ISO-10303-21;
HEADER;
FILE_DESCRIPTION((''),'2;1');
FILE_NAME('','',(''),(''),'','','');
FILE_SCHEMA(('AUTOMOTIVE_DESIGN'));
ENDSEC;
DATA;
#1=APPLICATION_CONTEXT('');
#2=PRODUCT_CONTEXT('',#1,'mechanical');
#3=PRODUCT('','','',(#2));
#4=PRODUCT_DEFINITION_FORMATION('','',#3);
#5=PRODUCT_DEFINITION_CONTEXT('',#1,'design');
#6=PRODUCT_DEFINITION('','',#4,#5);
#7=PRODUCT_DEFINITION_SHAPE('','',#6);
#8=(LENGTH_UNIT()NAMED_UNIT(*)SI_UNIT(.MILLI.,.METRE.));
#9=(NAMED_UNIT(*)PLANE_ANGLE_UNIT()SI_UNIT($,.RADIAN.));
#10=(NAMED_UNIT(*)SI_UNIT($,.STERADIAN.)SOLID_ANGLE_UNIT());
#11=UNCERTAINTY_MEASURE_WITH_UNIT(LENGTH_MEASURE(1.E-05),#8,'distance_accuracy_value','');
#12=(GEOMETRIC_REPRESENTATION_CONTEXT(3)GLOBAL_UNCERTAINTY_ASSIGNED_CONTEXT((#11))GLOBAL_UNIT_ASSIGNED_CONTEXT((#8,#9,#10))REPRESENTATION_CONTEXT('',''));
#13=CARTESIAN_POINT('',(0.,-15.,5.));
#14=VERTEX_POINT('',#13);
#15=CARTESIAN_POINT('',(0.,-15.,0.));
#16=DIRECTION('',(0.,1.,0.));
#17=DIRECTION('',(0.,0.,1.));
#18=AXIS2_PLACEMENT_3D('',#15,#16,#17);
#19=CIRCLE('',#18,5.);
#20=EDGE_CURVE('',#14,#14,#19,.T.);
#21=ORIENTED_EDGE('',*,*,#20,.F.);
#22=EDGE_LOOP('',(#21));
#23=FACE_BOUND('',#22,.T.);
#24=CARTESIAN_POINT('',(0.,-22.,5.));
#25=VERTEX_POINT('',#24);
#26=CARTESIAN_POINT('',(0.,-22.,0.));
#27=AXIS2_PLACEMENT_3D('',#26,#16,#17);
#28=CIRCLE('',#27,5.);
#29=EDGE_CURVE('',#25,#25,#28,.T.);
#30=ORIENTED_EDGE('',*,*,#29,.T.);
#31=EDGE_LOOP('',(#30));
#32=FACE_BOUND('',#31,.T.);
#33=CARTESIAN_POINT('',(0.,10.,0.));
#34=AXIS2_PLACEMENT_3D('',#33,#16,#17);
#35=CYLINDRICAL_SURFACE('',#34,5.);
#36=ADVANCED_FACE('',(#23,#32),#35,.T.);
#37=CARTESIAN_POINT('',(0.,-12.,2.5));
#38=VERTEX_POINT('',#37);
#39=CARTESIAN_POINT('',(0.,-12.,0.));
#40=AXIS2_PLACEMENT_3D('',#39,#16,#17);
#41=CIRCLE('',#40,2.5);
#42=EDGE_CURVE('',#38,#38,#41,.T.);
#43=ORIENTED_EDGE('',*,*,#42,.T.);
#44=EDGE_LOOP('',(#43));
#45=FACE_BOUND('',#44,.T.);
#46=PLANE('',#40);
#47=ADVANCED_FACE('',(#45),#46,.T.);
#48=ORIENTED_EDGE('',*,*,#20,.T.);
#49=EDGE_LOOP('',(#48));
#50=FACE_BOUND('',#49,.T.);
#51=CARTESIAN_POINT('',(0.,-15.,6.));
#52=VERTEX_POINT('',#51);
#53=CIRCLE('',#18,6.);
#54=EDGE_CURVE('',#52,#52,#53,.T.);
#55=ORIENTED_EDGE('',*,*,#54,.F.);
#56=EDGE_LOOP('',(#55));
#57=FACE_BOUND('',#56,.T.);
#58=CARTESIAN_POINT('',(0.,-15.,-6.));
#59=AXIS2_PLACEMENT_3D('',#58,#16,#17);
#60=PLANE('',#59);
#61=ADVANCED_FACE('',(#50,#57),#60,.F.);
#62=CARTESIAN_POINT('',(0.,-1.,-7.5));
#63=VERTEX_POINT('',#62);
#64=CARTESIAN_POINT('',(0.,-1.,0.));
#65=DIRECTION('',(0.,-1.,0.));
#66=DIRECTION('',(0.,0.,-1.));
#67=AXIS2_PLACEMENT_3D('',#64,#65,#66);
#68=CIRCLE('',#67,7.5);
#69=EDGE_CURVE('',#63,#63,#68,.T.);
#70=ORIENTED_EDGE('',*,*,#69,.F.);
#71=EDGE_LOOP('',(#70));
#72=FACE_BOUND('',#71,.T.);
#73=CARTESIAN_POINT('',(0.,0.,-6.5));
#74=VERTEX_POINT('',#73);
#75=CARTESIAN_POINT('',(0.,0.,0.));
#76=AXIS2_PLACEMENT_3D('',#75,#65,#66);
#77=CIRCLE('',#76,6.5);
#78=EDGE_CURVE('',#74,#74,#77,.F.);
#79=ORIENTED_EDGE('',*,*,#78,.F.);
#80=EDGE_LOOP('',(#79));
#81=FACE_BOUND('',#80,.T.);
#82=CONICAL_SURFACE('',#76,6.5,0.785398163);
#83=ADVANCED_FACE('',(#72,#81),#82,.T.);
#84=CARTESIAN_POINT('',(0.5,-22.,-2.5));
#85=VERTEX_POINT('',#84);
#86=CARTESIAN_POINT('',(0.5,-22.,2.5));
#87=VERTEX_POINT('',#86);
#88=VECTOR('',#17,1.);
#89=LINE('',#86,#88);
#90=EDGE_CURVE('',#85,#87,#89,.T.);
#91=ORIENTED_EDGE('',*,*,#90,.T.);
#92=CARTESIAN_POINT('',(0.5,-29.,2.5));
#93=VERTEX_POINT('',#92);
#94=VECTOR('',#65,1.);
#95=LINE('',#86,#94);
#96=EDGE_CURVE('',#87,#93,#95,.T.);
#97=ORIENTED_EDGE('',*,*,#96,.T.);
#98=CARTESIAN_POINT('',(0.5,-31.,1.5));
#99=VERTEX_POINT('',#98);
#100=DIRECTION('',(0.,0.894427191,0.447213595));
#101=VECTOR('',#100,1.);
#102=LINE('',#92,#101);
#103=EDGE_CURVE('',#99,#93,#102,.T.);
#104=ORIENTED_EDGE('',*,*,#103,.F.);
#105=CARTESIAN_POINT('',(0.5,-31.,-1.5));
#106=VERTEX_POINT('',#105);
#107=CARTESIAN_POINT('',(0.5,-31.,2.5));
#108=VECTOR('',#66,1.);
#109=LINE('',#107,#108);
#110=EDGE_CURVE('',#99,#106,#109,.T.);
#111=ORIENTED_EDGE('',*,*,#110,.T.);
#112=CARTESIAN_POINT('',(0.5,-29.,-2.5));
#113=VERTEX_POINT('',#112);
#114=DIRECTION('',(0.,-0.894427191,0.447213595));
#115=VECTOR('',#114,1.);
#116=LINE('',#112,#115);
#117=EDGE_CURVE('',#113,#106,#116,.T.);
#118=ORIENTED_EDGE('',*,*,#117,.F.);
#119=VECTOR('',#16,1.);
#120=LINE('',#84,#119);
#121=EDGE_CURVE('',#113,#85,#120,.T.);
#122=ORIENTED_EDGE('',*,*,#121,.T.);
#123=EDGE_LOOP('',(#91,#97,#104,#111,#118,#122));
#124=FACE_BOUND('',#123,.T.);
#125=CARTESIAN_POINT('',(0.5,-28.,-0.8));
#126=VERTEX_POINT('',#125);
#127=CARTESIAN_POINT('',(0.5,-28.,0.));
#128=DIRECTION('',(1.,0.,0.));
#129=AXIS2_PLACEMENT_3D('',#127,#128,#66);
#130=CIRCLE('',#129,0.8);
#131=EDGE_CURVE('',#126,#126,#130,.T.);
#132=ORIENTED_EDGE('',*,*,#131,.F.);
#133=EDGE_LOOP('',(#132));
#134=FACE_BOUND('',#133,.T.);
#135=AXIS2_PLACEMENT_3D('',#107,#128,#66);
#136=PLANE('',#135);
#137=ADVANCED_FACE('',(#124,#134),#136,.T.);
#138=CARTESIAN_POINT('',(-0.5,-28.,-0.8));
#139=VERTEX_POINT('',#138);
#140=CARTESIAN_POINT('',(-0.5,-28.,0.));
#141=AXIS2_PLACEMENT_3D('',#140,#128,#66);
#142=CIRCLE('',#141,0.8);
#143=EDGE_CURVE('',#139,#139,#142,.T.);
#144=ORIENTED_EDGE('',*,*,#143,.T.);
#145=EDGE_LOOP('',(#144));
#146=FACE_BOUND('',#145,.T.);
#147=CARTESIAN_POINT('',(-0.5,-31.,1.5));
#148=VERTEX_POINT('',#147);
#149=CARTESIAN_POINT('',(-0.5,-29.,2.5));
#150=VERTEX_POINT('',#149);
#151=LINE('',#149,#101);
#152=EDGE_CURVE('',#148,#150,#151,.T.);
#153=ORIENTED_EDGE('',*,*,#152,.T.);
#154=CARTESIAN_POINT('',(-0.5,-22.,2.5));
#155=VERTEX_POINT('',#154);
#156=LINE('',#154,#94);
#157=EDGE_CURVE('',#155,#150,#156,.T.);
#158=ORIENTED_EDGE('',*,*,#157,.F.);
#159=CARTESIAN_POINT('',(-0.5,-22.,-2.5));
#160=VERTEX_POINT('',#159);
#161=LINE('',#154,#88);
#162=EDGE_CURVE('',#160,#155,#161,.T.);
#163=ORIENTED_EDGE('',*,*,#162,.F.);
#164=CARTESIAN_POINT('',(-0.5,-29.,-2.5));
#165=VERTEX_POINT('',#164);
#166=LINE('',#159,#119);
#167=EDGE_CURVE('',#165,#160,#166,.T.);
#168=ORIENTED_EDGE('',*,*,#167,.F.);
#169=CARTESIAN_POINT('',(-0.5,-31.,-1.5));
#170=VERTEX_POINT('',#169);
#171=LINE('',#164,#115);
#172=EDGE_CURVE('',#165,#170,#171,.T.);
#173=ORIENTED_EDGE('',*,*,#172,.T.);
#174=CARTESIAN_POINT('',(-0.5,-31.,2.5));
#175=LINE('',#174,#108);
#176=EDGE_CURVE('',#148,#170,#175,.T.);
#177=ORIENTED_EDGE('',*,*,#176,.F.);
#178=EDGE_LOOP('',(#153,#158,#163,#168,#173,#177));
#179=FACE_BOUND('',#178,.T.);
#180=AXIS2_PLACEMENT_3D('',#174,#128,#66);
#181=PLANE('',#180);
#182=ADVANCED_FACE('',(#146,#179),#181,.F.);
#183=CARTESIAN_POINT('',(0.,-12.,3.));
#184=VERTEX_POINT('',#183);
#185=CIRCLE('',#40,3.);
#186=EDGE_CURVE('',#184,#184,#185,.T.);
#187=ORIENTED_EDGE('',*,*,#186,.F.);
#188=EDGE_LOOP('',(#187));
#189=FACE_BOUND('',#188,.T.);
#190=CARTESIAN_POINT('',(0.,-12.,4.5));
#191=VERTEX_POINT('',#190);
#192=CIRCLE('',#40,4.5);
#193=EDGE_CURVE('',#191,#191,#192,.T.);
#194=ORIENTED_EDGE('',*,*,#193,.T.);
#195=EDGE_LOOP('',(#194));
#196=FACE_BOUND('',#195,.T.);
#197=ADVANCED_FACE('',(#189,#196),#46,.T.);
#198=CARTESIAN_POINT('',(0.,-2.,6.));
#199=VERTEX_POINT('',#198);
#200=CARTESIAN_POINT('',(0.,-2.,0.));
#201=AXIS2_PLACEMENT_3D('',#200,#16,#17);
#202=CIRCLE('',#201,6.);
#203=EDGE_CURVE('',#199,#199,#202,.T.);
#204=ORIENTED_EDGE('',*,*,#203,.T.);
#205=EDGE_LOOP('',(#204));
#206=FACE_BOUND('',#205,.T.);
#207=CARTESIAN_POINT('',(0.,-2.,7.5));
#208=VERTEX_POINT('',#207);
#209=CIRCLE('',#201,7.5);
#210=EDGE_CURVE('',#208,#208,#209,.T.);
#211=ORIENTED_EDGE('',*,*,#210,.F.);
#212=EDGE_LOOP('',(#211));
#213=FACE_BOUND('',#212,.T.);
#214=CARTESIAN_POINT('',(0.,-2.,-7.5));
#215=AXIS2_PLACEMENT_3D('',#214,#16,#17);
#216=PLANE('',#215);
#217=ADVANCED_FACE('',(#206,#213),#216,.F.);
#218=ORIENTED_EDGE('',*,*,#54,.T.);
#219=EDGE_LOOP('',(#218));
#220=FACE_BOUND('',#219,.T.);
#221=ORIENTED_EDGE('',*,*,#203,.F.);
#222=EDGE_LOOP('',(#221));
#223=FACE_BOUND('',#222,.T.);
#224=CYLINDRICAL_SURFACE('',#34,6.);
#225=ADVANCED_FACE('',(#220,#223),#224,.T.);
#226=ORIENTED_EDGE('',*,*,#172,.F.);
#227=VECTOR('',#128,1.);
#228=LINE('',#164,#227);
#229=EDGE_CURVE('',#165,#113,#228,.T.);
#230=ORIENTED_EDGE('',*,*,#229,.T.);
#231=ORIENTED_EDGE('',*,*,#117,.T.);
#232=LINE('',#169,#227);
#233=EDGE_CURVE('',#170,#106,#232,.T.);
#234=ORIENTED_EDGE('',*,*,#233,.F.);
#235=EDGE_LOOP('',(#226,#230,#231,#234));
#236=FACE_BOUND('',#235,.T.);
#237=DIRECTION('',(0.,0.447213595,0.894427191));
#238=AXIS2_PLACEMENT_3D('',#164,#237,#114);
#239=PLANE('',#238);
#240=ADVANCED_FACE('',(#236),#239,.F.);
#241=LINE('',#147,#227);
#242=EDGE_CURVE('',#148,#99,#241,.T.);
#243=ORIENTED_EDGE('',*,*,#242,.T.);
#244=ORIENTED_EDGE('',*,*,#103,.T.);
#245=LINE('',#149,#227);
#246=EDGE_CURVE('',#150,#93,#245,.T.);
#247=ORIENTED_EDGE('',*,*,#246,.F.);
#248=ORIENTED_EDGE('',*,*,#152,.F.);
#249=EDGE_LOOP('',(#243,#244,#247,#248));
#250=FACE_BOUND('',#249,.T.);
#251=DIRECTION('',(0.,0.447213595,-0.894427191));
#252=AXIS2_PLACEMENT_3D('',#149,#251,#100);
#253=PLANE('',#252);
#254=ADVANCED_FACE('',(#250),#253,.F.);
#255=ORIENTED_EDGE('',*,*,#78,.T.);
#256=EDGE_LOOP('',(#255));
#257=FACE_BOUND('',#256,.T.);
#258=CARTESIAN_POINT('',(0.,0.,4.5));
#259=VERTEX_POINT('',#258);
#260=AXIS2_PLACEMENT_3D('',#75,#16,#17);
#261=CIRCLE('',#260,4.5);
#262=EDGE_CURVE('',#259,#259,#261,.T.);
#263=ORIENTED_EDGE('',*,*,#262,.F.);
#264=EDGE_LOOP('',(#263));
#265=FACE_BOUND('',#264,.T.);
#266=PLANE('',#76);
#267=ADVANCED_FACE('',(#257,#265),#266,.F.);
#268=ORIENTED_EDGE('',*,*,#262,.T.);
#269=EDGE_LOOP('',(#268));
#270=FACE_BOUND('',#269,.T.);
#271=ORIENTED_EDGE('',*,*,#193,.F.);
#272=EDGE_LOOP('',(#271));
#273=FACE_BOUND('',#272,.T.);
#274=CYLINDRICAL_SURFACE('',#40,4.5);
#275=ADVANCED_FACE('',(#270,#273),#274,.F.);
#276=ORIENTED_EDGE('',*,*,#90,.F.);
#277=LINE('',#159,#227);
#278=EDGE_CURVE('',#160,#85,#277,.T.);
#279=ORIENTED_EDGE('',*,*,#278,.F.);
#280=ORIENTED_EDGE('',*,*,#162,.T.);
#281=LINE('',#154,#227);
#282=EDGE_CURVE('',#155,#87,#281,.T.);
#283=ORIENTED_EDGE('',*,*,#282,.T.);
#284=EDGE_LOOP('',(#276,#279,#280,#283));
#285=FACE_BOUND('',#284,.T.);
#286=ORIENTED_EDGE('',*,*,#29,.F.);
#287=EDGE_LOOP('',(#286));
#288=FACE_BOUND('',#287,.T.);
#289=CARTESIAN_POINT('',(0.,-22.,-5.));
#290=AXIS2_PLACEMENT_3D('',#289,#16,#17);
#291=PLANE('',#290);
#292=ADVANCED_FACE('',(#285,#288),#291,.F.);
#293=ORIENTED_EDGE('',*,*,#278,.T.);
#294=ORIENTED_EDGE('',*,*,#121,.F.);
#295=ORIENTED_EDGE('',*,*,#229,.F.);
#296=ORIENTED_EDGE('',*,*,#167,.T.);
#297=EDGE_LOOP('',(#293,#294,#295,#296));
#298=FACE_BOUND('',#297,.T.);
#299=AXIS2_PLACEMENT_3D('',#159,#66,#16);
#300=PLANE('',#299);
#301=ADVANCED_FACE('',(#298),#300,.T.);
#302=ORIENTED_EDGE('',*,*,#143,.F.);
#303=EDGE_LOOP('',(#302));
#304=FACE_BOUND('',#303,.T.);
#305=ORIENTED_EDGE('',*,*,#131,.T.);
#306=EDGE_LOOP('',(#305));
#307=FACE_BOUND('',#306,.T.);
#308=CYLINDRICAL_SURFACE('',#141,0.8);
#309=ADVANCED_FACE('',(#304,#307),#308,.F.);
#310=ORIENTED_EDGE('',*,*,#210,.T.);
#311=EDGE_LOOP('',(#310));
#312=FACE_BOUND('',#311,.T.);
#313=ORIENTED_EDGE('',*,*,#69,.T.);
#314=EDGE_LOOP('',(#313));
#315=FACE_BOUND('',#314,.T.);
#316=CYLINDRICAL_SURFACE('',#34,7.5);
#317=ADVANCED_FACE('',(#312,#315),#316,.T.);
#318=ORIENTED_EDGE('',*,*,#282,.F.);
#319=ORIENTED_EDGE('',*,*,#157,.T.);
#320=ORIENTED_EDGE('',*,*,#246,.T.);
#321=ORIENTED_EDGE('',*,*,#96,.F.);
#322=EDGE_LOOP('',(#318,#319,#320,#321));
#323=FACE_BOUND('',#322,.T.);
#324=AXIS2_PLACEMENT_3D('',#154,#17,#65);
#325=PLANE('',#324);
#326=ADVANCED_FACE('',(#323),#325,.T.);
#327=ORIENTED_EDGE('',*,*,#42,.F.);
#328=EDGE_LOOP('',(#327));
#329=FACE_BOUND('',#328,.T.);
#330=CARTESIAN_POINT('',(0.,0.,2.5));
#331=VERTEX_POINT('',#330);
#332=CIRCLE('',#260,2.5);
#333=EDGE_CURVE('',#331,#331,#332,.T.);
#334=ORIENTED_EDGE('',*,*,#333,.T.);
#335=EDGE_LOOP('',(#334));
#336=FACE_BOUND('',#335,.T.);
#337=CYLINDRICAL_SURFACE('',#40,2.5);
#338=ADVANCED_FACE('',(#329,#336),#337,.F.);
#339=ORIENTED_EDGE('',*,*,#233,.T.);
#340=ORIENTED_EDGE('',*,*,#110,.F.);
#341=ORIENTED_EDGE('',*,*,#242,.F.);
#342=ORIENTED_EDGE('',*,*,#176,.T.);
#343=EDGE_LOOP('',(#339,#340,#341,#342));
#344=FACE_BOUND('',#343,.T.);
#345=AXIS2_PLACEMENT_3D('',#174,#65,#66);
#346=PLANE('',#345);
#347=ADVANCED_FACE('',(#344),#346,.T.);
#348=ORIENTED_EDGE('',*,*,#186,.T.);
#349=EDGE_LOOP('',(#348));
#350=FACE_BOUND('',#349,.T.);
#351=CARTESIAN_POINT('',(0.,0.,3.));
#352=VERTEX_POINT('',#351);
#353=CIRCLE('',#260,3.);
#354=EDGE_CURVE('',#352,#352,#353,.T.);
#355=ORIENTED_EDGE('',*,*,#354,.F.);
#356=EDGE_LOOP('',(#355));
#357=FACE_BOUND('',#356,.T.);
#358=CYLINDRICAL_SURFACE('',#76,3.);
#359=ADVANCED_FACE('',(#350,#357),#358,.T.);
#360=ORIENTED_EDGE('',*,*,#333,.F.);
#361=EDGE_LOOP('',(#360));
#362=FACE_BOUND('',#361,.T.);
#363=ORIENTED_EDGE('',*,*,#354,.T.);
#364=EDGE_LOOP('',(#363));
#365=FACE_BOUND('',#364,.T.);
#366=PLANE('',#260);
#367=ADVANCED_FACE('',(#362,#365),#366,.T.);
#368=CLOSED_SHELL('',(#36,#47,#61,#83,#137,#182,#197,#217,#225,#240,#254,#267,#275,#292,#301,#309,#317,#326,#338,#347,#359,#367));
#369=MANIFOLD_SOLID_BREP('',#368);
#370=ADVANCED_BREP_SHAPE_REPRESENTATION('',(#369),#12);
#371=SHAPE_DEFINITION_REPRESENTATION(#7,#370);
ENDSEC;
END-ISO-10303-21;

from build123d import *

# Parameters (mm, degrees)
CHANFREIN1_SIZE         = 1
ESQUISSE2_R             = 4.5
ENL_V_MAT_EXTRU_1_DEPTH = 12
ESQUISSE3_R             = 3
BOSS_EXTRU_1_DEPTH      = 12
ESQUISSE4_R             = 2.5
ENL_V_MAT_EXTRU_2_DEPTH = 12
ESQUISSE5_W             = 5
ESQUISSE5_H             = 9
BOSS_EXTRU_2_DEPTH      = 1
ENL_V_MAT_EXTRU_3_DEPTH = 1
ENL_V_MAT_EXTRU_4_DEPTH = 1
ESQUISSE8_R             = 0.8
ENL_V_MAT_EXTRU_5_DEPTH = 1


with BuildPart() as part:
    # Esquisse1 → Base-Révolution (revolve)
    with BuildSketch(Plane(origin=(0, 0, 0), x_dir=(0, 0, -1), z_dir=(1, 0, 0)), mode=Mode.PRIVATE) as base_r_volution_sk:
        Polygon((0, 0), (7.5, 0), (7.5, -2), (6, -2), (6, -15), (5, -15), (5, -22), (0, -22), align=None)
    revolve(base_r_volution_sk.sketch.rotate(Axis((0, 10, 0), (0, -1, 0)), 180), axis=Axis((0, 10, 0), (0, -1, 0)))

    # Chanfrein1
    chanfrein1_edges = [part.edges().sort_by_distance(p)[0] for p in [
        (0, 0, -7.5),
    ]]
    chamfer(chanfrein1_edges, length=CHANFREIN1_SIZE)

    # Esquisse2 → Enlèv. mat.-Extru.1 (cut)
    with BuildSketch(Plane(origin=(0, 0, 0), x_dir=(-1, 0, 0), z_dir=(0, 1, 0))):
        with Locations(Location((0, 0, 0), (0, 0, 90))):
            Circle(ESQUISSE2_R)
    extrude(amount=-ENL_V_MAT_EXTRU_1_DEPTH, mode=Mode.SUBTRACT)

    # Esquisse3 → Boss.-Extru.1 (add)
    with BuildSketch(Plane(origin=(0, -12, 0), x_dir=(-1, 0, 0), z_dir=(0, 1, 0))):
        with Locations(Location((0, 0, 0), (0, 0, 90))):
            Circle(ESQUISSE3_R)
    extrude(amount=BOSS_EXTRU_1_DEPTH)

    # Esquisse4 → Enlèv. mat.-Extru.2 (cut)
    with BuildSketch(Plane(origin=(0, 0, 0), x_dir=(-1, 0, 0), z_dir=(0, 1, 0))):
        with Locations(Location((0, 0, 0), (0, 0, 90))):
            Circle(ESQUISSE4_R)
    extrude(amount=-ENL_V_MAT_EXTRU_2_DEPTH, mode=Mode.SUBTRACT)

    # Esquisse5 → Boss.-Extru.2 (add)
    with BuildSketch(Plane(origin=(0.5, 0, 0), x_dir=(0, 0, -1), z_dir=(1, 0, 0))):
        with Locations((0, -26.5)):
            Rectangle(ESQUISSE5_W, ESQUISSE5_H)
    extrude(amount=-BOSS_EXTRU_2_DEPTH)

    # Esquisse6 → Enlèv. mat.-Extru.3 (cut)
    with BuildSketch(Plane(origin=(0.5, 0, 0), x_dir=(0, 0, -1), z_dir=(1, 0, 0))):
        Polygon((-2.5, -29), (-1.5, -31), (-2.5, -31), align=None)
    extrude(amount=-ENL_V_MAT_EXTRU_3_DEPTH, mode=Mode.SUBTRACT)

    # Esquisse7 → Enlèv. mat.-Extru.4 (cut)
    with BuildSketch(Plane(origin=(0.5, 0, 0), x_dir=(0, 0, -1), z_dir=(1, 0, 0))):
        Polygon((2.5, -31), (2.5, -29), (1.5, -31), align=None)
    extrude(amount=-ENL_V_MAT_EXTRU_4_DEPTH, mode=Mode.SUBTRACT)

    # Esquisse8 → Enlèv. mat.-Extru.5 (cut)
    with BuildSketch(Plane(origin=(0.5, 0, 0), x_dir=(0, 0, -1), z_dir=(1, 0, 0))):
        with Locations((0, -28)):
            Circle(ESQUISSE8_R)
    extrude(amount=-ENL_V_MAT_EXTRU_5_DEPTH, mode=Mode.SUBTRACT)


solid = part.part
